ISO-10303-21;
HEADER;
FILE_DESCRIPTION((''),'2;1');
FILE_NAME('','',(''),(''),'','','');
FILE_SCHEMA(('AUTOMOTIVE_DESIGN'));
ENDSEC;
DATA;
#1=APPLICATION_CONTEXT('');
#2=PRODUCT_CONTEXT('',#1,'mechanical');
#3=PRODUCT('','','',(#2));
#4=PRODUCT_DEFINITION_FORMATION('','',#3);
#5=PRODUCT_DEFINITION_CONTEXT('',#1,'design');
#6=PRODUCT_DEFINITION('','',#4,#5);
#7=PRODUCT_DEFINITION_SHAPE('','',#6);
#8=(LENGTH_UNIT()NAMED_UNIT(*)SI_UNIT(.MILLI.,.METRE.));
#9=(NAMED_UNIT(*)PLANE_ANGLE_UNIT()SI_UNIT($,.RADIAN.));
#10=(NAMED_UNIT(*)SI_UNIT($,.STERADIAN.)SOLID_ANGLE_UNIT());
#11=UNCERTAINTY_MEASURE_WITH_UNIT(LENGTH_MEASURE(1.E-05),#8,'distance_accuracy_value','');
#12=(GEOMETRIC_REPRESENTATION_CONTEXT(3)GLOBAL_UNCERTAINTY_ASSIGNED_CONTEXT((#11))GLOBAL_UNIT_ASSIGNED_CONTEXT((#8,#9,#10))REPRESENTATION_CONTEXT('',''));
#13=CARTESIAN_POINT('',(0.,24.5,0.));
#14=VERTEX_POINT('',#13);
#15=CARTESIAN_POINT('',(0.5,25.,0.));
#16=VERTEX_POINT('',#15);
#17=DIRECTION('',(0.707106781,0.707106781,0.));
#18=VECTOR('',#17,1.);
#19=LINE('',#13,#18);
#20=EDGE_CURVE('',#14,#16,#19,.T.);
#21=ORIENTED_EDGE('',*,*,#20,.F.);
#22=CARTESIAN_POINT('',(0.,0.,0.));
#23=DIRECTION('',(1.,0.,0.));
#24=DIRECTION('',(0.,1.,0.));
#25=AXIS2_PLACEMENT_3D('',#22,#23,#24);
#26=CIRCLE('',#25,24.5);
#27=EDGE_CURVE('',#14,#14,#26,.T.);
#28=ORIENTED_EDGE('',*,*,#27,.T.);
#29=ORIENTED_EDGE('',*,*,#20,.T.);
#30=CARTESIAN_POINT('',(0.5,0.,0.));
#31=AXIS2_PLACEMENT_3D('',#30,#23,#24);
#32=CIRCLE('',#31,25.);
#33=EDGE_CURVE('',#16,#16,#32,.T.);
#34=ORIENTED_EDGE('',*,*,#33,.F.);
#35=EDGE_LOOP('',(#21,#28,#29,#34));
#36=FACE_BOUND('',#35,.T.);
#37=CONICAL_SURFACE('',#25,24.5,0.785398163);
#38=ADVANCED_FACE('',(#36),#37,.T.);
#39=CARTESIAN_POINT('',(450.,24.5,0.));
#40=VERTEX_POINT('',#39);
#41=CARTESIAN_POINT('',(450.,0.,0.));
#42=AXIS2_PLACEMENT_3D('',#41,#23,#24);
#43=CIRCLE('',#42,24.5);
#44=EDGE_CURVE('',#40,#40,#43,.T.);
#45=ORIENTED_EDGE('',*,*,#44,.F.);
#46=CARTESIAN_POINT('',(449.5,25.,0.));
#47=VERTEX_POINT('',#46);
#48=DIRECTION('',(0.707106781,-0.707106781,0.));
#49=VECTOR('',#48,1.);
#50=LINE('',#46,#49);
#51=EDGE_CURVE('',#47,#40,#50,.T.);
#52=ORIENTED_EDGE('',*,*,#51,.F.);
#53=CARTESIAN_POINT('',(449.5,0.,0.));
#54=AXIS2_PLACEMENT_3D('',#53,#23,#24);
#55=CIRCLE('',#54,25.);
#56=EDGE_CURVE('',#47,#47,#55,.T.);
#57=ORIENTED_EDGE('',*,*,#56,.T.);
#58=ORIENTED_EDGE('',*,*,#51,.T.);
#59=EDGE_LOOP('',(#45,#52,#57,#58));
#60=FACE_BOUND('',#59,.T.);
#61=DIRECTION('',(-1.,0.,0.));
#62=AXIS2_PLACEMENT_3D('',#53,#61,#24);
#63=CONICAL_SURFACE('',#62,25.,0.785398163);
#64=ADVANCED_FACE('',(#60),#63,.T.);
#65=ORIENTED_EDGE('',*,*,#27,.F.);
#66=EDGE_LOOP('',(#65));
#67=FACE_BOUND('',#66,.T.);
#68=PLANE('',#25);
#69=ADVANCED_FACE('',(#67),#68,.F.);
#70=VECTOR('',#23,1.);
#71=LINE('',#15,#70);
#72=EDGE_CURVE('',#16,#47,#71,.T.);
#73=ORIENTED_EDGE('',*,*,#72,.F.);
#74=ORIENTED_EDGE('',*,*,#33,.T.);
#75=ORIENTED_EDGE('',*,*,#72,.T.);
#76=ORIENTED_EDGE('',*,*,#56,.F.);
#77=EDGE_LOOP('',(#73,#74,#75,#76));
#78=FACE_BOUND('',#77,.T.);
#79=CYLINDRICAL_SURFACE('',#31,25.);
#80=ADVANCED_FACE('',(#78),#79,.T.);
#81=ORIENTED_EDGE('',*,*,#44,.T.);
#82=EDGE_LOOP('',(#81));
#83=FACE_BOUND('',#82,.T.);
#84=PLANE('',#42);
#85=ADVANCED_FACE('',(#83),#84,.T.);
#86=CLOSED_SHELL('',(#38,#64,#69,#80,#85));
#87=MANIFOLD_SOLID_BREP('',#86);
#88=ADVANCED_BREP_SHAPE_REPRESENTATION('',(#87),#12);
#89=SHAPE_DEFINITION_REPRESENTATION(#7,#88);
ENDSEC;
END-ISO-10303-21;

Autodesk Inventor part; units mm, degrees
sketch "Sketch_1" plane through (0, 0, 0) normal (0, 0, 1) x (1, 0, 0)
  line L0 (450, 0) -> (0, 0)
  line L1 (0, 0) -> (0, 24.5)
  line L2 (0, 24.5) -> (0.5, 25)
  line L3 (0.5, 25) -> (449.5, 25)
  line L4 (449.5, 25) -> (450, 24.5)
  line L5 (450, 24.5) -> (450, 0)
  line L6 (450, 0) -> (0, 0)
revolve "Revolution1" add sketch "Sketch_1" angle 360 about axis through (450, 0, 0) along (1, 0, 0)
ref_plane "COMBINATION_MODULE_XY" through (0, 0, 0) normal (1, 0, 0) x (0, 0, -1)
ref_plane "COMBINATION_MODULE_YZ" through (0, 0, 0) normal (0, 0, -1) x (0, 1, 0)
ref_plane "COMBINATION_MODULE_ZX" through (0, 0, 0) normal (0, 1, 0) x (1, 0, 0)
properties part number "SSFHR50-450_s"
